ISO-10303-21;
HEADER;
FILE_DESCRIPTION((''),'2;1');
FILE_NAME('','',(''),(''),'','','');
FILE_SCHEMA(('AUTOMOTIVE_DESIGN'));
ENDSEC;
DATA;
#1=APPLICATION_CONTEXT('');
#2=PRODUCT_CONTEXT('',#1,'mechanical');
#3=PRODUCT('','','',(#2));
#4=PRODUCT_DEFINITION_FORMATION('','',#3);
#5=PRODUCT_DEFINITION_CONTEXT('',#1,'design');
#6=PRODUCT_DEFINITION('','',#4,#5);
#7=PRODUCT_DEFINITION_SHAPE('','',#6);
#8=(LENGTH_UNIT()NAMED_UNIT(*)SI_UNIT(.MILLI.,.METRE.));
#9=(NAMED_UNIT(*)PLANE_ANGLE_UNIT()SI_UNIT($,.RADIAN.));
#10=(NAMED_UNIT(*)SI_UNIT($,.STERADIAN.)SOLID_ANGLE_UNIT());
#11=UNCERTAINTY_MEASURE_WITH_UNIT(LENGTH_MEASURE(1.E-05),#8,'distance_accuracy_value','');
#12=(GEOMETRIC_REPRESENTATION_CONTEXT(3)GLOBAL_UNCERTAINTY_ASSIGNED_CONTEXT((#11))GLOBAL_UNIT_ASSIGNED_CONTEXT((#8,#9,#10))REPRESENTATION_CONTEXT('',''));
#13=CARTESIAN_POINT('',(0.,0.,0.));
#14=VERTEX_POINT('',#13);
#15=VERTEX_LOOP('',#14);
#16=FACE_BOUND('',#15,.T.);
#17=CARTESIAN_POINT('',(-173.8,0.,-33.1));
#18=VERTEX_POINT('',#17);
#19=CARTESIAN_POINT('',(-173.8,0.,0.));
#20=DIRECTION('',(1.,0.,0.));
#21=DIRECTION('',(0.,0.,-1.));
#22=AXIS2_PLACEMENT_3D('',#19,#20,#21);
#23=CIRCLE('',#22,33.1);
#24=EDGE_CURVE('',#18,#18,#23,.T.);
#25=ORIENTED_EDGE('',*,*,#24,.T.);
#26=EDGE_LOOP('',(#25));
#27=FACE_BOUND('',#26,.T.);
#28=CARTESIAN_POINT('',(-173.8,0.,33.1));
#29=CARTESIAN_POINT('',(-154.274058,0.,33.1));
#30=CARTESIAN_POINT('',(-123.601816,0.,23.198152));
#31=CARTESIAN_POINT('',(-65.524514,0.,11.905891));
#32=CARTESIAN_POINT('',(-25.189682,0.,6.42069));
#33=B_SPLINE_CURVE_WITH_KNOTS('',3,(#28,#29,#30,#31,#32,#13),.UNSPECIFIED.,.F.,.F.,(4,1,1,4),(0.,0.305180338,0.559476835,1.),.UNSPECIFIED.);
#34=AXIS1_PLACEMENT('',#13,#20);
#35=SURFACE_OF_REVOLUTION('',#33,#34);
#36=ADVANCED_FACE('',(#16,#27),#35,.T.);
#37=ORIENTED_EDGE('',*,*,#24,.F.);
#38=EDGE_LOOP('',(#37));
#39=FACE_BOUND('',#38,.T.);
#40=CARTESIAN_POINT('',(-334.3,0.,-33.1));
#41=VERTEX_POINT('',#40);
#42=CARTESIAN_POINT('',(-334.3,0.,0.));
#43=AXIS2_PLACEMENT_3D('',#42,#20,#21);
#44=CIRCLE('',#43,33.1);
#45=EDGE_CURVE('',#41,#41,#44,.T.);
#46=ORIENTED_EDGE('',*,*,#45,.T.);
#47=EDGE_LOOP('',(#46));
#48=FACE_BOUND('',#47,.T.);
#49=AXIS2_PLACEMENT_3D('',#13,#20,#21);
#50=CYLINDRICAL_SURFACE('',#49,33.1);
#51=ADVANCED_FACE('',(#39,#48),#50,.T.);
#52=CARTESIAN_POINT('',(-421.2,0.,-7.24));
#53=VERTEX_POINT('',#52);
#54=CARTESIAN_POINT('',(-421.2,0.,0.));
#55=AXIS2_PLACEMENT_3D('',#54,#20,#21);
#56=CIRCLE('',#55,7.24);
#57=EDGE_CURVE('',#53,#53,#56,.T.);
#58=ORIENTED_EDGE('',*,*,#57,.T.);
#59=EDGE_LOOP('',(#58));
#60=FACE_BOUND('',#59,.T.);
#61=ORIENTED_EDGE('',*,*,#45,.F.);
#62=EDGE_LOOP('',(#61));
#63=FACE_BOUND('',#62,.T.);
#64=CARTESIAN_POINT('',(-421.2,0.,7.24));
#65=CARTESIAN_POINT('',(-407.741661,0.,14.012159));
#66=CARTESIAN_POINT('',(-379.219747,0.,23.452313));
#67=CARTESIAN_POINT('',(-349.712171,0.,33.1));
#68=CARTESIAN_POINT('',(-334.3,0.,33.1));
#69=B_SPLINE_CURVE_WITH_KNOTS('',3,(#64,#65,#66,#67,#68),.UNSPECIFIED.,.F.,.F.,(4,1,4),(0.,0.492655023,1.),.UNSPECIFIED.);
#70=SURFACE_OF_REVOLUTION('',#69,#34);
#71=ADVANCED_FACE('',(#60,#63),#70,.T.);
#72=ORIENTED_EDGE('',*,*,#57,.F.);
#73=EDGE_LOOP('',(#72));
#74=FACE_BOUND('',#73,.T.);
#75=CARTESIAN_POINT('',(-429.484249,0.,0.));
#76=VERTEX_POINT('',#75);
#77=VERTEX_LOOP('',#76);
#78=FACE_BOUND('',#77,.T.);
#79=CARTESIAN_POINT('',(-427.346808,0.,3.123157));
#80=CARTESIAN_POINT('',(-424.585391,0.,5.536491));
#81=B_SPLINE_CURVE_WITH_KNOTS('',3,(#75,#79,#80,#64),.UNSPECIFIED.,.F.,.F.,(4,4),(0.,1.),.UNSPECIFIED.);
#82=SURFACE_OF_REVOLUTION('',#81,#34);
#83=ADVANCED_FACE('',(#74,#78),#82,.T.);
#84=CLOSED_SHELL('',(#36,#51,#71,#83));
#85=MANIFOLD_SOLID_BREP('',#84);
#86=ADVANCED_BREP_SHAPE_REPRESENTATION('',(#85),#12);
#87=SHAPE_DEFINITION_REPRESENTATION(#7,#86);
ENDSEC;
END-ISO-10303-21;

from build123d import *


with BuildPart() as part:
    # Schizzo6 → Rivoluzione1 (revolve)
    with BuildSketch(Plane(origin=(0, 0, 0), x_dir=(-1, 0, 0), z_dir=(0, 1, 0)), mode=Mode.PRIVATE) as rivoluzione1_sk:
        with BuildLine():
            Line((312.8, 33.1), (173.8, 33.1))
            add(Edge.make_bspline(
                [(0, 0), (25.189681618, 6.420690348), (65.524514327, 11.905890776), (123.601815916, 23.198152096), (154.27405796, 33.1), (173.8, 33.1)],
                knots=[0, 0, 0, 0, 0.440523165, 0.694819662, 1, 1, 1, 1], degree=3))
            Line((0, 0), (407.984249418, 0))
            Line((407.984249418, 0), (429.484249418, 0))
            add(Edge.make_bspline(
                [(421.2, 7.24), (424.585391476, 5.536490554), (427.346807948, 3.123157221), (429.484249418, 0)],
                knots=[0, 0, 0, 0, 1, 1, 1, 1], degree=3))
            add(Edge.make_bspline(
                [(334.3, 33.1), (349.712171146, 33.1), (379.219747339, 23.452313445), (407.741660777, 14.0121586), (421.2, 7.24)],
                knots=[0, 0, 0, 0, 0.507344977, 1, 1, 1, 1], degree=3))
            Line((334.3, 33.1), (312.8, 33.1))
        make_face()
    revolve(rivoluzione1_sk.sketch.rotate(Axis((0, 0, 0), (-1, 0, 0)), 180), axis=Axis((0, 0, 0), (-1, 0, 0)))


solid = part.part
